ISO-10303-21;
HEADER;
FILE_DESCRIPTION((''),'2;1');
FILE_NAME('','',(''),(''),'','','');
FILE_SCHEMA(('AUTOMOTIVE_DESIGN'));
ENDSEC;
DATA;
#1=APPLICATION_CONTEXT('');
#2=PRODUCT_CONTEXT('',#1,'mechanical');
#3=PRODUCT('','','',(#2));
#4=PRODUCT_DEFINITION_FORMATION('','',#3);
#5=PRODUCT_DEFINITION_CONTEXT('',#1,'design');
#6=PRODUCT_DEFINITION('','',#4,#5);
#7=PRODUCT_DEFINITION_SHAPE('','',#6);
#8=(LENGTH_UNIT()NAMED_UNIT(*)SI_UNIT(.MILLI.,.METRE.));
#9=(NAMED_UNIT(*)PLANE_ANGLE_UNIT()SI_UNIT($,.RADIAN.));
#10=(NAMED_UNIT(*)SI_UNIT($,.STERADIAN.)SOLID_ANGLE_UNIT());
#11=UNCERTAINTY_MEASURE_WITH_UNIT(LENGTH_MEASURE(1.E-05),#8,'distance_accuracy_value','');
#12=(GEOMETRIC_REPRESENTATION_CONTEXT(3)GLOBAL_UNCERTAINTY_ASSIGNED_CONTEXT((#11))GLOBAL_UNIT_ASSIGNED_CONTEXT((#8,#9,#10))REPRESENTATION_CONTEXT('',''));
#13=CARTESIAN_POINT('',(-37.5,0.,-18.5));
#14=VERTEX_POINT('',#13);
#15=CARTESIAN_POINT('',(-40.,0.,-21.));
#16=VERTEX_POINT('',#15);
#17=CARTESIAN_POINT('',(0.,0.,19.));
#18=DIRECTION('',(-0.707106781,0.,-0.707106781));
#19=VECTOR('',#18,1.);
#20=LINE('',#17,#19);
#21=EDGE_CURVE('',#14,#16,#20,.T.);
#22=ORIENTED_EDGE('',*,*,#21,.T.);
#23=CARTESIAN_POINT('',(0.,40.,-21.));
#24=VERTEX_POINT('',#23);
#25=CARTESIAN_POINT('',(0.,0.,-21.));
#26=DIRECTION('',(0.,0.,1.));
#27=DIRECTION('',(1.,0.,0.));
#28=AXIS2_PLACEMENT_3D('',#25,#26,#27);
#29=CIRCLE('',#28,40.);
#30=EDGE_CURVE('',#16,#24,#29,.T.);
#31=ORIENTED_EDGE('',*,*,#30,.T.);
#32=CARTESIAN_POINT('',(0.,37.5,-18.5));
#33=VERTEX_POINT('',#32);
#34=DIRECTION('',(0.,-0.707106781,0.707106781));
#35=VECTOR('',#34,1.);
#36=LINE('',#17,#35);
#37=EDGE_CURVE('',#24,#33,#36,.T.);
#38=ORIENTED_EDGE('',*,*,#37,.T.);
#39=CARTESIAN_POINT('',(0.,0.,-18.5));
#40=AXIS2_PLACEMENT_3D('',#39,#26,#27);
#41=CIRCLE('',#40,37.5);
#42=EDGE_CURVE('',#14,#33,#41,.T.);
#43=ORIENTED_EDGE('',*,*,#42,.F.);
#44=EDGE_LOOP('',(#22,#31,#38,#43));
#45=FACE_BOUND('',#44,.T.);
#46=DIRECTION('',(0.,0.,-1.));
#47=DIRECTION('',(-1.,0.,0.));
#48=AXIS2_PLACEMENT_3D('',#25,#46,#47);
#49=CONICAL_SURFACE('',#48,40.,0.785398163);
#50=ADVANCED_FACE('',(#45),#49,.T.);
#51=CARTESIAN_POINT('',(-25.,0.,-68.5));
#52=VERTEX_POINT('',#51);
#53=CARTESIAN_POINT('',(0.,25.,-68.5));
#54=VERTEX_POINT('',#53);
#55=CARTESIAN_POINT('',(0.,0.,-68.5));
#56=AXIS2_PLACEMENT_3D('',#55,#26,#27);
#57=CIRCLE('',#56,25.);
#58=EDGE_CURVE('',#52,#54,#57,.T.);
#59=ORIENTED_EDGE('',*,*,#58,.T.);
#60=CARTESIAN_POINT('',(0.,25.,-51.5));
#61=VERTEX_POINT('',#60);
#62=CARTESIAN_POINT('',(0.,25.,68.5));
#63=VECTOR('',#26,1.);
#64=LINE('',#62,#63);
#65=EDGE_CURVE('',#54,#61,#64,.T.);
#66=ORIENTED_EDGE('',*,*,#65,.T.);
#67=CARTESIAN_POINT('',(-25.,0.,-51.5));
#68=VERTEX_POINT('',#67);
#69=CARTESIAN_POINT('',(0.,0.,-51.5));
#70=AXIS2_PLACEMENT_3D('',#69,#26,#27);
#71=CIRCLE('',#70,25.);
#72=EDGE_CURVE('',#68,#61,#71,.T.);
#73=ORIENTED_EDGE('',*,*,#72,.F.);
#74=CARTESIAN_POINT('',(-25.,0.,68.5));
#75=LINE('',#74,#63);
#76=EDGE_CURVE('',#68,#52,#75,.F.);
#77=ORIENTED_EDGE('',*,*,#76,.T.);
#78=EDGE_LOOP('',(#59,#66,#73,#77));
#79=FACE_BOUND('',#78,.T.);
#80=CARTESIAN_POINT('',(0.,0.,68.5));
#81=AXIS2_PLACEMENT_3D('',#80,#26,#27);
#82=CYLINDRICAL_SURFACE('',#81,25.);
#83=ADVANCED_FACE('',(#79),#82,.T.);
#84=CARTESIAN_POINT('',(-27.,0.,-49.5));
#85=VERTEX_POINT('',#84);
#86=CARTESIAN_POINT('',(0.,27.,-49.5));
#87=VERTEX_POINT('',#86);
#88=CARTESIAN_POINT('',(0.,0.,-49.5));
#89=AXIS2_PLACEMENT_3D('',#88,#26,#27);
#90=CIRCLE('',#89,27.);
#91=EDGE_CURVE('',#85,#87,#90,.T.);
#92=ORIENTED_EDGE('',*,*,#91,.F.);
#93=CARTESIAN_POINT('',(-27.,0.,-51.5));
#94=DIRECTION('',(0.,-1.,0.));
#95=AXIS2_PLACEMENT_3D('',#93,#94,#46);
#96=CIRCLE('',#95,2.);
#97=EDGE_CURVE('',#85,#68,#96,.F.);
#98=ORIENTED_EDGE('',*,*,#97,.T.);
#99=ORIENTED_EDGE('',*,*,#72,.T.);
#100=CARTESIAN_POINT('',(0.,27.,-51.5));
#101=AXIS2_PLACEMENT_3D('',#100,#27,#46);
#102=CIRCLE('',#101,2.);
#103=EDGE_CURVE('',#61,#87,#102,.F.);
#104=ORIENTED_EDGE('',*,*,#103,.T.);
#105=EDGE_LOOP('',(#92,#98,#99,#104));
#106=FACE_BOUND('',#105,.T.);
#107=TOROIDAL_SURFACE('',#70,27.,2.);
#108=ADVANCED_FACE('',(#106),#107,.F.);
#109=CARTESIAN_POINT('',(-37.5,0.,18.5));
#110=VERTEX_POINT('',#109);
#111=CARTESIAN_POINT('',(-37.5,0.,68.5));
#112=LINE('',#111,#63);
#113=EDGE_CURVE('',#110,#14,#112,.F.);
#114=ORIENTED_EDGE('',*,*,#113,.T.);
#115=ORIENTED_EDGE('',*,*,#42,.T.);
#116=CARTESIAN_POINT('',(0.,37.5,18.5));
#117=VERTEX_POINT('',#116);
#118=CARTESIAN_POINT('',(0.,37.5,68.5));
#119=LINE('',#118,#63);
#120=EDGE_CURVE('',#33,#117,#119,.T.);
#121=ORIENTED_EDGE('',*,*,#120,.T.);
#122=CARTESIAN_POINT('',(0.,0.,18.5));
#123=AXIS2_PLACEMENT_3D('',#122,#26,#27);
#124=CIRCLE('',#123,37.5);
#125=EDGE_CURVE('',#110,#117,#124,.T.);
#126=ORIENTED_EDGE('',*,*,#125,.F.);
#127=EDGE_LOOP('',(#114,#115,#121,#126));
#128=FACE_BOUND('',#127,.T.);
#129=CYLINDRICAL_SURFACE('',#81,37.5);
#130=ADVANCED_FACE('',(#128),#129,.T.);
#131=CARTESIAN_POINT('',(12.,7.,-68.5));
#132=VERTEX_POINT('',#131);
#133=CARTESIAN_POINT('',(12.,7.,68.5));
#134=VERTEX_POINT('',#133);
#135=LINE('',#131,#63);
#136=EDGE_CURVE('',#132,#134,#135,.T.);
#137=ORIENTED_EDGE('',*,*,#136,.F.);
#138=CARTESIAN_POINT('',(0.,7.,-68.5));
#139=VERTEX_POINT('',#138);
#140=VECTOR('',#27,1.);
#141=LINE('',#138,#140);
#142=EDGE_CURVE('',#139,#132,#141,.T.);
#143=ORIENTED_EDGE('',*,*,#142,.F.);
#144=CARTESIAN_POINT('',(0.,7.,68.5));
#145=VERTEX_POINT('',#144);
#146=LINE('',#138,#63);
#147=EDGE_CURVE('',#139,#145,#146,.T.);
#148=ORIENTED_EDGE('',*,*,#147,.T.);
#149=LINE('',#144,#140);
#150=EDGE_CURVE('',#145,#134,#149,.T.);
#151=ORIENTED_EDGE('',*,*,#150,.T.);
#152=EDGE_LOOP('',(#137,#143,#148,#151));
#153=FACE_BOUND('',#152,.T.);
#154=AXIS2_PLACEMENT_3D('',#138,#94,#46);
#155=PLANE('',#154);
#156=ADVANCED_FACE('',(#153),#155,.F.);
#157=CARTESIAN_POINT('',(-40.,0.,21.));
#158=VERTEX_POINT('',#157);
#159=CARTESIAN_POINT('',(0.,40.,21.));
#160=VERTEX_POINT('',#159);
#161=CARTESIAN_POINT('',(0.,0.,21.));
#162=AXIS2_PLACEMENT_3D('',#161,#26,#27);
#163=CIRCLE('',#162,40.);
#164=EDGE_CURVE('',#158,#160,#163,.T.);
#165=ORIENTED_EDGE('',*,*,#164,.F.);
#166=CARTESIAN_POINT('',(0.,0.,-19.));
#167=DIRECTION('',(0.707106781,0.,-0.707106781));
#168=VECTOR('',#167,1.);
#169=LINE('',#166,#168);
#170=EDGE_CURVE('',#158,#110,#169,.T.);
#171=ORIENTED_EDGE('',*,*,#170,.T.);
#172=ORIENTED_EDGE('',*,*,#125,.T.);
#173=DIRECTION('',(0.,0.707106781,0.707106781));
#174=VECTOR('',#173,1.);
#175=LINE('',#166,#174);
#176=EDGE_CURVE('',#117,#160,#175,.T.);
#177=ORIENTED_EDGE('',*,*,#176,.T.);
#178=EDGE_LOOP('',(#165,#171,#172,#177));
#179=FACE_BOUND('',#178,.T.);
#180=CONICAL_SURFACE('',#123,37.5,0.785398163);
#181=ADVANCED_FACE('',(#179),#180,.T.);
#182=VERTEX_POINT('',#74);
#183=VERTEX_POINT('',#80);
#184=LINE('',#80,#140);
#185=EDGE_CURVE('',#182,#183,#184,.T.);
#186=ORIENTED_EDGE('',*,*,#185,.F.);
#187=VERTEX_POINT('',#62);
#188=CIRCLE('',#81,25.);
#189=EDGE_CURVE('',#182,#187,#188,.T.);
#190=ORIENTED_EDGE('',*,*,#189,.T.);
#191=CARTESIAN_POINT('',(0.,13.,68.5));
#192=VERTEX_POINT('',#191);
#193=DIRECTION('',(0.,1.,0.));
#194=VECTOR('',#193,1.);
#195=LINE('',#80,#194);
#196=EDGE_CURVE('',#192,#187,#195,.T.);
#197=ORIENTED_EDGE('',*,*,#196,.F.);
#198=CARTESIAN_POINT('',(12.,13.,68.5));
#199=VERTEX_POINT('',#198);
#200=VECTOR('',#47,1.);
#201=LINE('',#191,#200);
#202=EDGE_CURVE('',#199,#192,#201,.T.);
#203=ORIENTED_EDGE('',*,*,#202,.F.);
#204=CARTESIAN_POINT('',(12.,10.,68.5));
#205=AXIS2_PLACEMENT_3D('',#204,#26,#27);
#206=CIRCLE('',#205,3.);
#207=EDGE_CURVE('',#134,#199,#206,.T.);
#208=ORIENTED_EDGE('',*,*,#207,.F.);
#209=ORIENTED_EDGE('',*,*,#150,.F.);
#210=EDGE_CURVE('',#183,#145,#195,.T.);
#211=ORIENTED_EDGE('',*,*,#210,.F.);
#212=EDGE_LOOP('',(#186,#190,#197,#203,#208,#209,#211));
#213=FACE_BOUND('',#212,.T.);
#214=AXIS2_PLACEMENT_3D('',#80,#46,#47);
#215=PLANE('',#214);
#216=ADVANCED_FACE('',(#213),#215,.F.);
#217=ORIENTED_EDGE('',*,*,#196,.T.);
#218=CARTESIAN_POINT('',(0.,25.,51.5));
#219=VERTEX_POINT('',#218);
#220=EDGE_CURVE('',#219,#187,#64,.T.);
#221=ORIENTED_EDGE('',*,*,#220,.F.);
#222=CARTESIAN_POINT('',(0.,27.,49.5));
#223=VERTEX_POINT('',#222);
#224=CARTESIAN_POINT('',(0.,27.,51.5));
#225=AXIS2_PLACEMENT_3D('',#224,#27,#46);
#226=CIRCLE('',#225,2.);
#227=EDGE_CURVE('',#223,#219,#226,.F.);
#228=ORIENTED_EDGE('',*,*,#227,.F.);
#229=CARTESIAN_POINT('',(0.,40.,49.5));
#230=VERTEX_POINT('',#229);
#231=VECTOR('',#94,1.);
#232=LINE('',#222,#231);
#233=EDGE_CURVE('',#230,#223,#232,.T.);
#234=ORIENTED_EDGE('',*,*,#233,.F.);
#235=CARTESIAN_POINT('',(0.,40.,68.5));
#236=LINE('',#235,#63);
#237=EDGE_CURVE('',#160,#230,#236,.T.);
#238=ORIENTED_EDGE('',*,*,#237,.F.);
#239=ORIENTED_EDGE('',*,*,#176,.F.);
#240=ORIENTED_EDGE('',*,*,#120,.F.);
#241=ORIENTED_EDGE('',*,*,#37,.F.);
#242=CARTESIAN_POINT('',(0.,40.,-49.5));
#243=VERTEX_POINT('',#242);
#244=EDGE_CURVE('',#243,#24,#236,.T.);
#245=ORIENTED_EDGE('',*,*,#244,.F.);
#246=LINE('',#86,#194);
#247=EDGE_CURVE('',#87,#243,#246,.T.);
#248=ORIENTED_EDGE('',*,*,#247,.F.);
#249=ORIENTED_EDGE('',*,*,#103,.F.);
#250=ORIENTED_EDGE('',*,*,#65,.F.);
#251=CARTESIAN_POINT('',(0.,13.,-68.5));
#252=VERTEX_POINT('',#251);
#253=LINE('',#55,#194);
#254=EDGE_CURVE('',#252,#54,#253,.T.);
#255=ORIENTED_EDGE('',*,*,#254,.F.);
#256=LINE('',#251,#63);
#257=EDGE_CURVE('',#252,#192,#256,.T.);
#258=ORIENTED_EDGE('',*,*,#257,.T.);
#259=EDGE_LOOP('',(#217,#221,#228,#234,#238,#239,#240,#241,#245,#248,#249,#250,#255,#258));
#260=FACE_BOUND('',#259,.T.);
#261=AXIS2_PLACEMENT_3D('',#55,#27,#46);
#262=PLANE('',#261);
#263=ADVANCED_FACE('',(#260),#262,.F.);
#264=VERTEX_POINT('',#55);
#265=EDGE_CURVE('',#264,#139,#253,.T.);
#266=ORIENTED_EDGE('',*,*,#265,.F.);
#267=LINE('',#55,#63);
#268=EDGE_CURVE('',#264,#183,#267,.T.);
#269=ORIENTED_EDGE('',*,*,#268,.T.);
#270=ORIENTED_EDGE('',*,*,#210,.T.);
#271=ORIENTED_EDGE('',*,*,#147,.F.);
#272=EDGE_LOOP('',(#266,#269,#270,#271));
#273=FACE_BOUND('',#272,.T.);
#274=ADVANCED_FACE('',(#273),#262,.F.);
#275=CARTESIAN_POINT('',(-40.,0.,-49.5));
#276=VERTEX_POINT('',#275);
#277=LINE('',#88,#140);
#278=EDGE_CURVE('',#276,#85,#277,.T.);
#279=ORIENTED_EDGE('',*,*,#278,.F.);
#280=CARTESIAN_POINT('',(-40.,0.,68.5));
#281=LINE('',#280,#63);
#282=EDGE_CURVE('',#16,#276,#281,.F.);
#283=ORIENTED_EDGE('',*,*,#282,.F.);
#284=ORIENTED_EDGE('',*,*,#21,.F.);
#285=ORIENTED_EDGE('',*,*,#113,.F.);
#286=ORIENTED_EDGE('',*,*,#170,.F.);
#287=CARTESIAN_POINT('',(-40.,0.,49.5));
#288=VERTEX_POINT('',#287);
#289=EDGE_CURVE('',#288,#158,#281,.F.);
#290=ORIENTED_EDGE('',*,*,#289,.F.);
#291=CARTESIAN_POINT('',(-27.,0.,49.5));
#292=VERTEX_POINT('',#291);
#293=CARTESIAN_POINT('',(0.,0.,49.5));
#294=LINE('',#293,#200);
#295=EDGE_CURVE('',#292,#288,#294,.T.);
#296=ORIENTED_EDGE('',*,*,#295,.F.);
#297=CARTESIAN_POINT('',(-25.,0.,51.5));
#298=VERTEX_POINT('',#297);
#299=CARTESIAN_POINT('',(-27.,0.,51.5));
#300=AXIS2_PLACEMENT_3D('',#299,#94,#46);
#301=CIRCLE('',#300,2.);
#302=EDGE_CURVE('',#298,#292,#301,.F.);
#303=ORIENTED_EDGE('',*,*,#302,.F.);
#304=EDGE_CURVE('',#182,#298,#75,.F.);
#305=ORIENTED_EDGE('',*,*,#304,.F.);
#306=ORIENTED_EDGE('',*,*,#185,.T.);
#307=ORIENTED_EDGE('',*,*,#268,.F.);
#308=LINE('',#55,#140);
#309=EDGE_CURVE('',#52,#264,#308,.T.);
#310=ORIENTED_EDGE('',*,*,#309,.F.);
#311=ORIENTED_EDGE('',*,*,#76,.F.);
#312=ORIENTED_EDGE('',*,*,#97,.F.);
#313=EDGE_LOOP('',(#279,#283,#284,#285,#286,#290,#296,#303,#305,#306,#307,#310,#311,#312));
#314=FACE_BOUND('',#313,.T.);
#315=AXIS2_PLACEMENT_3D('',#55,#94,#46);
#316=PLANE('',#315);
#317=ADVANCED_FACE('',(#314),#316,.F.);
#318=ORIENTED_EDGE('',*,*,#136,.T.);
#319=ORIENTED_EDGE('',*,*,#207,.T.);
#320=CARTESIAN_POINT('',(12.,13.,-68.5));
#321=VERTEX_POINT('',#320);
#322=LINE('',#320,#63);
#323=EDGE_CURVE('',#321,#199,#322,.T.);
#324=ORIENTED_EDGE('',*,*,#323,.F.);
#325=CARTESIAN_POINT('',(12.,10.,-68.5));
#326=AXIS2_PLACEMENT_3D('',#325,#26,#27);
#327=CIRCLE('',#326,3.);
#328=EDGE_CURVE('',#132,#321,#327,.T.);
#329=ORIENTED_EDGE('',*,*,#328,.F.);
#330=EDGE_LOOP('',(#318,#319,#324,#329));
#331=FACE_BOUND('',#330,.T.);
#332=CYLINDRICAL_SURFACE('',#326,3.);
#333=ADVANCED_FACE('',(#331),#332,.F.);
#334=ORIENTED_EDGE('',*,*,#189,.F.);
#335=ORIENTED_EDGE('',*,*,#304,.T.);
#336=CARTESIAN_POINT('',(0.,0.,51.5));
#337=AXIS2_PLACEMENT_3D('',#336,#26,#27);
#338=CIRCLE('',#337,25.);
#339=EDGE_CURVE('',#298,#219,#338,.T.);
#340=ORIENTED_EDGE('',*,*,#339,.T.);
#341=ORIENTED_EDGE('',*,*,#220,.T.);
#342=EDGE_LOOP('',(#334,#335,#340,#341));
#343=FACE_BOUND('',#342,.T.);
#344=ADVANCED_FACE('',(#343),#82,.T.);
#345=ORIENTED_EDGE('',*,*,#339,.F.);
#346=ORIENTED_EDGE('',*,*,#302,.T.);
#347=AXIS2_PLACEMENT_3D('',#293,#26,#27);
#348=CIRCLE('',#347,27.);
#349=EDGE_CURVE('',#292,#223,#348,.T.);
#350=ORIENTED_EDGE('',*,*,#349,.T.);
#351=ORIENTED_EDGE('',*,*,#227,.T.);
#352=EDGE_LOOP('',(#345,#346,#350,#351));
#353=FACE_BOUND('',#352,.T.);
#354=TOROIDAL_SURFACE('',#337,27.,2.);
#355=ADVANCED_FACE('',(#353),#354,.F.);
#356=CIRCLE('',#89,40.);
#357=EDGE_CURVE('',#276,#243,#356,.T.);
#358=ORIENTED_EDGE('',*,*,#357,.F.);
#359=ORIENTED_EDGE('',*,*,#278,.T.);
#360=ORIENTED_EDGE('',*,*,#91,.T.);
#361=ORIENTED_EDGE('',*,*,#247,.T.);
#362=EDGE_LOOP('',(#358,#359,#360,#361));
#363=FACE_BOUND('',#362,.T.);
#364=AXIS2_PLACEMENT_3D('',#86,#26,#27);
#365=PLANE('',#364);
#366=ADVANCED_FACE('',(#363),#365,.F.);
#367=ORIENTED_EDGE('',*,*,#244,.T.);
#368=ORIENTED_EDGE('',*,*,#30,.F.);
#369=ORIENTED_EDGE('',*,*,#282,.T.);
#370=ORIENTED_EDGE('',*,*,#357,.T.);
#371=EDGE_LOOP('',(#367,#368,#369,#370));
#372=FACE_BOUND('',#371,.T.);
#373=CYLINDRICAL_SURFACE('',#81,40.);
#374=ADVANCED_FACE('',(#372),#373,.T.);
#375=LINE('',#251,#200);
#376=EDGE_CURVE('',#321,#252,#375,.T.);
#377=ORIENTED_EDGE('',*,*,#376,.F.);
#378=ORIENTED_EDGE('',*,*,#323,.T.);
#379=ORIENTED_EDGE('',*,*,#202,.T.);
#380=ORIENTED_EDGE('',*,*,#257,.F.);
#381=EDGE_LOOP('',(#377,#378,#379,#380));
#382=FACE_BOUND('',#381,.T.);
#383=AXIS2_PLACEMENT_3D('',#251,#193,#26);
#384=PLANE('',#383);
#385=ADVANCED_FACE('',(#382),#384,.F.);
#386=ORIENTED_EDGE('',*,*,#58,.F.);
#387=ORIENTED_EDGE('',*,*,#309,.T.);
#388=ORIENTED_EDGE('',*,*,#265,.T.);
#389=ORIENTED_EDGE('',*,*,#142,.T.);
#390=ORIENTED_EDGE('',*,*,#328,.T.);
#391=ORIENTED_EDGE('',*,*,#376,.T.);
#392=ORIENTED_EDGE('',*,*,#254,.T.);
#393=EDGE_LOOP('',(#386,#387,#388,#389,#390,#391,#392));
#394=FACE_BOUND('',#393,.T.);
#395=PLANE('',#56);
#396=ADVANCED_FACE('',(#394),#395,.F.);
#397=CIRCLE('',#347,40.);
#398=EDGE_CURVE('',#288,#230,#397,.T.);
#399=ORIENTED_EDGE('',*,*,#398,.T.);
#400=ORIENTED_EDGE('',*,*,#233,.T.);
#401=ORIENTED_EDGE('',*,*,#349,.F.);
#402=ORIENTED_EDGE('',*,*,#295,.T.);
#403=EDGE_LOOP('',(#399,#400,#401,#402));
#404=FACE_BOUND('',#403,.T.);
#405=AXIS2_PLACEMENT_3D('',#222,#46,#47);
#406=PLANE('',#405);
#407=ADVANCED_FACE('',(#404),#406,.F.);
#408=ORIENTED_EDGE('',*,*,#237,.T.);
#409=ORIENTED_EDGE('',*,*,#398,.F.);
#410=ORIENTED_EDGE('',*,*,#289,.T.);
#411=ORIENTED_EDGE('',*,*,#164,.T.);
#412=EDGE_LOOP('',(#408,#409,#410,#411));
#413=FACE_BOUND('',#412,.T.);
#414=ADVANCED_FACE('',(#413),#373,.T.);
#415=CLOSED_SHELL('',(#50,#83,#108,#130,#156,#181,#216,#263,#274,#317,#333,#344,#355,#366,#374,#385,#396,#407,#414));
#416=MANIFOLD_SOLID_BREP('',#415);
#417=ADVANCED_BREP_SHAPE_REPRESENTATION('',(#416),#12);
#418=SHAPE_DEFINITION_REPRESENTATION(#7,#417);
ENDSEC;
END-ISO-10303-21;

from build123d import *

# Parameters (mm, degrees)
ENL_V_MAT_EXTRU_1_DEPTH      = 89.838336319
ENL_V_MAT_EXTRU_1_DEPTH_BACK = 89.838336319
ESQUISSE3_W                  = 49.590285902
ESQUISSE3_H                  = 55.327856271
ENL_V_MAT_EXTRU_2_DEPTH      = 89.838336319
ENL_V_MAT_EXTRU_2_DEPTH_BACK = 89.838336319


with BuildPart() as part:
    # Esquisse1 → Révolution1 (revolve)
    with BuildSketch(Plane(origin=(0, 0, 0), x_dir=(0, 0, -1), z_dir=(1, 0, 0)), mode=Mode.PRIVATE) as r_volution1_sk:
        with BuildLine():
            Line((-68.5, 0), (68.5, 0))
            Line((68.5, 0), (68.5, 25))
            Line((68.5, 25), (51.5, 25))
            ThreePointArc((51.5, 25), (50.085786438, 25.585786438), (49.5, 27))
            Line((49.5, 27), (49.5, 40))
            Line((49.5, 40), (21, 40))
            Line((21, 40), (18.5, 37.5))
            Line((18.5, 37.5), (-18.5, 37.5))
            Line((-18.5, 37.5), (-21, 40))
            Line((-21, 40), (-49.5, 40))
            Line((-49.5, 40), (-49.5, 27))
            ThreePointArc((-49.5, 27), (-50.085786438, 25.585786438), (-51.5, 25))
            Line((-51.5, 25), (-68.5, 25))
            Line((-68.5, 25), (-68.5, 0))
        make_face()
    revolve(r_volution1_sk.sketch.rotate(Axis((0, 0, 68.5), (0, 0, -1)), 90), axis=Axis((0, 0, 68.5), (0, 0, -1)))

    # Esquisse3 → Enlèv. mat.-Extru.1 (cut, two sides: drawn at the far end of the back side and taken through both)
    with BuildSketch(Plane.XY.offset(-ENL_V_MAT_EXTRU_1_DEPTH_BACK)):
        with Locations((-24.795142951, 27.663928136)):
            Rectangle(ESQUISSE3_W, ESQUISSE3_H)
    extrude(amount=ENL_V_MAT_EXTRU_1_DEPTH + ENL_V_MAT_EXTRU_1_DEPTH_BACK, mode=Mode.SUBTRACT)

    # Esquisse4 → Enlèv. mat.-Extru.2 (cut, two sides: drawn at the far end of the back side and taken through both)
    with BuildSketch(Plane.XY.offset(-ENL_V_MAT_EXTRU_2_DEPTH_BACK)):
        with BuildLine():
            Line((0, 7), (12, 7))
            ThreePointArc((12, 7), (15, 10), (12, 13))
            Line((12, 13), (0, 13))
            Line((0, 13), (0, 7))
        make_face()
    extrude(amount=ENL_V_MAT_EXTRU_2_DEPTH + ENL_V_MAT_EXTRU_2_DEPTH_BACK, mode=Mode.SUBTRACT)


solid = part.part
